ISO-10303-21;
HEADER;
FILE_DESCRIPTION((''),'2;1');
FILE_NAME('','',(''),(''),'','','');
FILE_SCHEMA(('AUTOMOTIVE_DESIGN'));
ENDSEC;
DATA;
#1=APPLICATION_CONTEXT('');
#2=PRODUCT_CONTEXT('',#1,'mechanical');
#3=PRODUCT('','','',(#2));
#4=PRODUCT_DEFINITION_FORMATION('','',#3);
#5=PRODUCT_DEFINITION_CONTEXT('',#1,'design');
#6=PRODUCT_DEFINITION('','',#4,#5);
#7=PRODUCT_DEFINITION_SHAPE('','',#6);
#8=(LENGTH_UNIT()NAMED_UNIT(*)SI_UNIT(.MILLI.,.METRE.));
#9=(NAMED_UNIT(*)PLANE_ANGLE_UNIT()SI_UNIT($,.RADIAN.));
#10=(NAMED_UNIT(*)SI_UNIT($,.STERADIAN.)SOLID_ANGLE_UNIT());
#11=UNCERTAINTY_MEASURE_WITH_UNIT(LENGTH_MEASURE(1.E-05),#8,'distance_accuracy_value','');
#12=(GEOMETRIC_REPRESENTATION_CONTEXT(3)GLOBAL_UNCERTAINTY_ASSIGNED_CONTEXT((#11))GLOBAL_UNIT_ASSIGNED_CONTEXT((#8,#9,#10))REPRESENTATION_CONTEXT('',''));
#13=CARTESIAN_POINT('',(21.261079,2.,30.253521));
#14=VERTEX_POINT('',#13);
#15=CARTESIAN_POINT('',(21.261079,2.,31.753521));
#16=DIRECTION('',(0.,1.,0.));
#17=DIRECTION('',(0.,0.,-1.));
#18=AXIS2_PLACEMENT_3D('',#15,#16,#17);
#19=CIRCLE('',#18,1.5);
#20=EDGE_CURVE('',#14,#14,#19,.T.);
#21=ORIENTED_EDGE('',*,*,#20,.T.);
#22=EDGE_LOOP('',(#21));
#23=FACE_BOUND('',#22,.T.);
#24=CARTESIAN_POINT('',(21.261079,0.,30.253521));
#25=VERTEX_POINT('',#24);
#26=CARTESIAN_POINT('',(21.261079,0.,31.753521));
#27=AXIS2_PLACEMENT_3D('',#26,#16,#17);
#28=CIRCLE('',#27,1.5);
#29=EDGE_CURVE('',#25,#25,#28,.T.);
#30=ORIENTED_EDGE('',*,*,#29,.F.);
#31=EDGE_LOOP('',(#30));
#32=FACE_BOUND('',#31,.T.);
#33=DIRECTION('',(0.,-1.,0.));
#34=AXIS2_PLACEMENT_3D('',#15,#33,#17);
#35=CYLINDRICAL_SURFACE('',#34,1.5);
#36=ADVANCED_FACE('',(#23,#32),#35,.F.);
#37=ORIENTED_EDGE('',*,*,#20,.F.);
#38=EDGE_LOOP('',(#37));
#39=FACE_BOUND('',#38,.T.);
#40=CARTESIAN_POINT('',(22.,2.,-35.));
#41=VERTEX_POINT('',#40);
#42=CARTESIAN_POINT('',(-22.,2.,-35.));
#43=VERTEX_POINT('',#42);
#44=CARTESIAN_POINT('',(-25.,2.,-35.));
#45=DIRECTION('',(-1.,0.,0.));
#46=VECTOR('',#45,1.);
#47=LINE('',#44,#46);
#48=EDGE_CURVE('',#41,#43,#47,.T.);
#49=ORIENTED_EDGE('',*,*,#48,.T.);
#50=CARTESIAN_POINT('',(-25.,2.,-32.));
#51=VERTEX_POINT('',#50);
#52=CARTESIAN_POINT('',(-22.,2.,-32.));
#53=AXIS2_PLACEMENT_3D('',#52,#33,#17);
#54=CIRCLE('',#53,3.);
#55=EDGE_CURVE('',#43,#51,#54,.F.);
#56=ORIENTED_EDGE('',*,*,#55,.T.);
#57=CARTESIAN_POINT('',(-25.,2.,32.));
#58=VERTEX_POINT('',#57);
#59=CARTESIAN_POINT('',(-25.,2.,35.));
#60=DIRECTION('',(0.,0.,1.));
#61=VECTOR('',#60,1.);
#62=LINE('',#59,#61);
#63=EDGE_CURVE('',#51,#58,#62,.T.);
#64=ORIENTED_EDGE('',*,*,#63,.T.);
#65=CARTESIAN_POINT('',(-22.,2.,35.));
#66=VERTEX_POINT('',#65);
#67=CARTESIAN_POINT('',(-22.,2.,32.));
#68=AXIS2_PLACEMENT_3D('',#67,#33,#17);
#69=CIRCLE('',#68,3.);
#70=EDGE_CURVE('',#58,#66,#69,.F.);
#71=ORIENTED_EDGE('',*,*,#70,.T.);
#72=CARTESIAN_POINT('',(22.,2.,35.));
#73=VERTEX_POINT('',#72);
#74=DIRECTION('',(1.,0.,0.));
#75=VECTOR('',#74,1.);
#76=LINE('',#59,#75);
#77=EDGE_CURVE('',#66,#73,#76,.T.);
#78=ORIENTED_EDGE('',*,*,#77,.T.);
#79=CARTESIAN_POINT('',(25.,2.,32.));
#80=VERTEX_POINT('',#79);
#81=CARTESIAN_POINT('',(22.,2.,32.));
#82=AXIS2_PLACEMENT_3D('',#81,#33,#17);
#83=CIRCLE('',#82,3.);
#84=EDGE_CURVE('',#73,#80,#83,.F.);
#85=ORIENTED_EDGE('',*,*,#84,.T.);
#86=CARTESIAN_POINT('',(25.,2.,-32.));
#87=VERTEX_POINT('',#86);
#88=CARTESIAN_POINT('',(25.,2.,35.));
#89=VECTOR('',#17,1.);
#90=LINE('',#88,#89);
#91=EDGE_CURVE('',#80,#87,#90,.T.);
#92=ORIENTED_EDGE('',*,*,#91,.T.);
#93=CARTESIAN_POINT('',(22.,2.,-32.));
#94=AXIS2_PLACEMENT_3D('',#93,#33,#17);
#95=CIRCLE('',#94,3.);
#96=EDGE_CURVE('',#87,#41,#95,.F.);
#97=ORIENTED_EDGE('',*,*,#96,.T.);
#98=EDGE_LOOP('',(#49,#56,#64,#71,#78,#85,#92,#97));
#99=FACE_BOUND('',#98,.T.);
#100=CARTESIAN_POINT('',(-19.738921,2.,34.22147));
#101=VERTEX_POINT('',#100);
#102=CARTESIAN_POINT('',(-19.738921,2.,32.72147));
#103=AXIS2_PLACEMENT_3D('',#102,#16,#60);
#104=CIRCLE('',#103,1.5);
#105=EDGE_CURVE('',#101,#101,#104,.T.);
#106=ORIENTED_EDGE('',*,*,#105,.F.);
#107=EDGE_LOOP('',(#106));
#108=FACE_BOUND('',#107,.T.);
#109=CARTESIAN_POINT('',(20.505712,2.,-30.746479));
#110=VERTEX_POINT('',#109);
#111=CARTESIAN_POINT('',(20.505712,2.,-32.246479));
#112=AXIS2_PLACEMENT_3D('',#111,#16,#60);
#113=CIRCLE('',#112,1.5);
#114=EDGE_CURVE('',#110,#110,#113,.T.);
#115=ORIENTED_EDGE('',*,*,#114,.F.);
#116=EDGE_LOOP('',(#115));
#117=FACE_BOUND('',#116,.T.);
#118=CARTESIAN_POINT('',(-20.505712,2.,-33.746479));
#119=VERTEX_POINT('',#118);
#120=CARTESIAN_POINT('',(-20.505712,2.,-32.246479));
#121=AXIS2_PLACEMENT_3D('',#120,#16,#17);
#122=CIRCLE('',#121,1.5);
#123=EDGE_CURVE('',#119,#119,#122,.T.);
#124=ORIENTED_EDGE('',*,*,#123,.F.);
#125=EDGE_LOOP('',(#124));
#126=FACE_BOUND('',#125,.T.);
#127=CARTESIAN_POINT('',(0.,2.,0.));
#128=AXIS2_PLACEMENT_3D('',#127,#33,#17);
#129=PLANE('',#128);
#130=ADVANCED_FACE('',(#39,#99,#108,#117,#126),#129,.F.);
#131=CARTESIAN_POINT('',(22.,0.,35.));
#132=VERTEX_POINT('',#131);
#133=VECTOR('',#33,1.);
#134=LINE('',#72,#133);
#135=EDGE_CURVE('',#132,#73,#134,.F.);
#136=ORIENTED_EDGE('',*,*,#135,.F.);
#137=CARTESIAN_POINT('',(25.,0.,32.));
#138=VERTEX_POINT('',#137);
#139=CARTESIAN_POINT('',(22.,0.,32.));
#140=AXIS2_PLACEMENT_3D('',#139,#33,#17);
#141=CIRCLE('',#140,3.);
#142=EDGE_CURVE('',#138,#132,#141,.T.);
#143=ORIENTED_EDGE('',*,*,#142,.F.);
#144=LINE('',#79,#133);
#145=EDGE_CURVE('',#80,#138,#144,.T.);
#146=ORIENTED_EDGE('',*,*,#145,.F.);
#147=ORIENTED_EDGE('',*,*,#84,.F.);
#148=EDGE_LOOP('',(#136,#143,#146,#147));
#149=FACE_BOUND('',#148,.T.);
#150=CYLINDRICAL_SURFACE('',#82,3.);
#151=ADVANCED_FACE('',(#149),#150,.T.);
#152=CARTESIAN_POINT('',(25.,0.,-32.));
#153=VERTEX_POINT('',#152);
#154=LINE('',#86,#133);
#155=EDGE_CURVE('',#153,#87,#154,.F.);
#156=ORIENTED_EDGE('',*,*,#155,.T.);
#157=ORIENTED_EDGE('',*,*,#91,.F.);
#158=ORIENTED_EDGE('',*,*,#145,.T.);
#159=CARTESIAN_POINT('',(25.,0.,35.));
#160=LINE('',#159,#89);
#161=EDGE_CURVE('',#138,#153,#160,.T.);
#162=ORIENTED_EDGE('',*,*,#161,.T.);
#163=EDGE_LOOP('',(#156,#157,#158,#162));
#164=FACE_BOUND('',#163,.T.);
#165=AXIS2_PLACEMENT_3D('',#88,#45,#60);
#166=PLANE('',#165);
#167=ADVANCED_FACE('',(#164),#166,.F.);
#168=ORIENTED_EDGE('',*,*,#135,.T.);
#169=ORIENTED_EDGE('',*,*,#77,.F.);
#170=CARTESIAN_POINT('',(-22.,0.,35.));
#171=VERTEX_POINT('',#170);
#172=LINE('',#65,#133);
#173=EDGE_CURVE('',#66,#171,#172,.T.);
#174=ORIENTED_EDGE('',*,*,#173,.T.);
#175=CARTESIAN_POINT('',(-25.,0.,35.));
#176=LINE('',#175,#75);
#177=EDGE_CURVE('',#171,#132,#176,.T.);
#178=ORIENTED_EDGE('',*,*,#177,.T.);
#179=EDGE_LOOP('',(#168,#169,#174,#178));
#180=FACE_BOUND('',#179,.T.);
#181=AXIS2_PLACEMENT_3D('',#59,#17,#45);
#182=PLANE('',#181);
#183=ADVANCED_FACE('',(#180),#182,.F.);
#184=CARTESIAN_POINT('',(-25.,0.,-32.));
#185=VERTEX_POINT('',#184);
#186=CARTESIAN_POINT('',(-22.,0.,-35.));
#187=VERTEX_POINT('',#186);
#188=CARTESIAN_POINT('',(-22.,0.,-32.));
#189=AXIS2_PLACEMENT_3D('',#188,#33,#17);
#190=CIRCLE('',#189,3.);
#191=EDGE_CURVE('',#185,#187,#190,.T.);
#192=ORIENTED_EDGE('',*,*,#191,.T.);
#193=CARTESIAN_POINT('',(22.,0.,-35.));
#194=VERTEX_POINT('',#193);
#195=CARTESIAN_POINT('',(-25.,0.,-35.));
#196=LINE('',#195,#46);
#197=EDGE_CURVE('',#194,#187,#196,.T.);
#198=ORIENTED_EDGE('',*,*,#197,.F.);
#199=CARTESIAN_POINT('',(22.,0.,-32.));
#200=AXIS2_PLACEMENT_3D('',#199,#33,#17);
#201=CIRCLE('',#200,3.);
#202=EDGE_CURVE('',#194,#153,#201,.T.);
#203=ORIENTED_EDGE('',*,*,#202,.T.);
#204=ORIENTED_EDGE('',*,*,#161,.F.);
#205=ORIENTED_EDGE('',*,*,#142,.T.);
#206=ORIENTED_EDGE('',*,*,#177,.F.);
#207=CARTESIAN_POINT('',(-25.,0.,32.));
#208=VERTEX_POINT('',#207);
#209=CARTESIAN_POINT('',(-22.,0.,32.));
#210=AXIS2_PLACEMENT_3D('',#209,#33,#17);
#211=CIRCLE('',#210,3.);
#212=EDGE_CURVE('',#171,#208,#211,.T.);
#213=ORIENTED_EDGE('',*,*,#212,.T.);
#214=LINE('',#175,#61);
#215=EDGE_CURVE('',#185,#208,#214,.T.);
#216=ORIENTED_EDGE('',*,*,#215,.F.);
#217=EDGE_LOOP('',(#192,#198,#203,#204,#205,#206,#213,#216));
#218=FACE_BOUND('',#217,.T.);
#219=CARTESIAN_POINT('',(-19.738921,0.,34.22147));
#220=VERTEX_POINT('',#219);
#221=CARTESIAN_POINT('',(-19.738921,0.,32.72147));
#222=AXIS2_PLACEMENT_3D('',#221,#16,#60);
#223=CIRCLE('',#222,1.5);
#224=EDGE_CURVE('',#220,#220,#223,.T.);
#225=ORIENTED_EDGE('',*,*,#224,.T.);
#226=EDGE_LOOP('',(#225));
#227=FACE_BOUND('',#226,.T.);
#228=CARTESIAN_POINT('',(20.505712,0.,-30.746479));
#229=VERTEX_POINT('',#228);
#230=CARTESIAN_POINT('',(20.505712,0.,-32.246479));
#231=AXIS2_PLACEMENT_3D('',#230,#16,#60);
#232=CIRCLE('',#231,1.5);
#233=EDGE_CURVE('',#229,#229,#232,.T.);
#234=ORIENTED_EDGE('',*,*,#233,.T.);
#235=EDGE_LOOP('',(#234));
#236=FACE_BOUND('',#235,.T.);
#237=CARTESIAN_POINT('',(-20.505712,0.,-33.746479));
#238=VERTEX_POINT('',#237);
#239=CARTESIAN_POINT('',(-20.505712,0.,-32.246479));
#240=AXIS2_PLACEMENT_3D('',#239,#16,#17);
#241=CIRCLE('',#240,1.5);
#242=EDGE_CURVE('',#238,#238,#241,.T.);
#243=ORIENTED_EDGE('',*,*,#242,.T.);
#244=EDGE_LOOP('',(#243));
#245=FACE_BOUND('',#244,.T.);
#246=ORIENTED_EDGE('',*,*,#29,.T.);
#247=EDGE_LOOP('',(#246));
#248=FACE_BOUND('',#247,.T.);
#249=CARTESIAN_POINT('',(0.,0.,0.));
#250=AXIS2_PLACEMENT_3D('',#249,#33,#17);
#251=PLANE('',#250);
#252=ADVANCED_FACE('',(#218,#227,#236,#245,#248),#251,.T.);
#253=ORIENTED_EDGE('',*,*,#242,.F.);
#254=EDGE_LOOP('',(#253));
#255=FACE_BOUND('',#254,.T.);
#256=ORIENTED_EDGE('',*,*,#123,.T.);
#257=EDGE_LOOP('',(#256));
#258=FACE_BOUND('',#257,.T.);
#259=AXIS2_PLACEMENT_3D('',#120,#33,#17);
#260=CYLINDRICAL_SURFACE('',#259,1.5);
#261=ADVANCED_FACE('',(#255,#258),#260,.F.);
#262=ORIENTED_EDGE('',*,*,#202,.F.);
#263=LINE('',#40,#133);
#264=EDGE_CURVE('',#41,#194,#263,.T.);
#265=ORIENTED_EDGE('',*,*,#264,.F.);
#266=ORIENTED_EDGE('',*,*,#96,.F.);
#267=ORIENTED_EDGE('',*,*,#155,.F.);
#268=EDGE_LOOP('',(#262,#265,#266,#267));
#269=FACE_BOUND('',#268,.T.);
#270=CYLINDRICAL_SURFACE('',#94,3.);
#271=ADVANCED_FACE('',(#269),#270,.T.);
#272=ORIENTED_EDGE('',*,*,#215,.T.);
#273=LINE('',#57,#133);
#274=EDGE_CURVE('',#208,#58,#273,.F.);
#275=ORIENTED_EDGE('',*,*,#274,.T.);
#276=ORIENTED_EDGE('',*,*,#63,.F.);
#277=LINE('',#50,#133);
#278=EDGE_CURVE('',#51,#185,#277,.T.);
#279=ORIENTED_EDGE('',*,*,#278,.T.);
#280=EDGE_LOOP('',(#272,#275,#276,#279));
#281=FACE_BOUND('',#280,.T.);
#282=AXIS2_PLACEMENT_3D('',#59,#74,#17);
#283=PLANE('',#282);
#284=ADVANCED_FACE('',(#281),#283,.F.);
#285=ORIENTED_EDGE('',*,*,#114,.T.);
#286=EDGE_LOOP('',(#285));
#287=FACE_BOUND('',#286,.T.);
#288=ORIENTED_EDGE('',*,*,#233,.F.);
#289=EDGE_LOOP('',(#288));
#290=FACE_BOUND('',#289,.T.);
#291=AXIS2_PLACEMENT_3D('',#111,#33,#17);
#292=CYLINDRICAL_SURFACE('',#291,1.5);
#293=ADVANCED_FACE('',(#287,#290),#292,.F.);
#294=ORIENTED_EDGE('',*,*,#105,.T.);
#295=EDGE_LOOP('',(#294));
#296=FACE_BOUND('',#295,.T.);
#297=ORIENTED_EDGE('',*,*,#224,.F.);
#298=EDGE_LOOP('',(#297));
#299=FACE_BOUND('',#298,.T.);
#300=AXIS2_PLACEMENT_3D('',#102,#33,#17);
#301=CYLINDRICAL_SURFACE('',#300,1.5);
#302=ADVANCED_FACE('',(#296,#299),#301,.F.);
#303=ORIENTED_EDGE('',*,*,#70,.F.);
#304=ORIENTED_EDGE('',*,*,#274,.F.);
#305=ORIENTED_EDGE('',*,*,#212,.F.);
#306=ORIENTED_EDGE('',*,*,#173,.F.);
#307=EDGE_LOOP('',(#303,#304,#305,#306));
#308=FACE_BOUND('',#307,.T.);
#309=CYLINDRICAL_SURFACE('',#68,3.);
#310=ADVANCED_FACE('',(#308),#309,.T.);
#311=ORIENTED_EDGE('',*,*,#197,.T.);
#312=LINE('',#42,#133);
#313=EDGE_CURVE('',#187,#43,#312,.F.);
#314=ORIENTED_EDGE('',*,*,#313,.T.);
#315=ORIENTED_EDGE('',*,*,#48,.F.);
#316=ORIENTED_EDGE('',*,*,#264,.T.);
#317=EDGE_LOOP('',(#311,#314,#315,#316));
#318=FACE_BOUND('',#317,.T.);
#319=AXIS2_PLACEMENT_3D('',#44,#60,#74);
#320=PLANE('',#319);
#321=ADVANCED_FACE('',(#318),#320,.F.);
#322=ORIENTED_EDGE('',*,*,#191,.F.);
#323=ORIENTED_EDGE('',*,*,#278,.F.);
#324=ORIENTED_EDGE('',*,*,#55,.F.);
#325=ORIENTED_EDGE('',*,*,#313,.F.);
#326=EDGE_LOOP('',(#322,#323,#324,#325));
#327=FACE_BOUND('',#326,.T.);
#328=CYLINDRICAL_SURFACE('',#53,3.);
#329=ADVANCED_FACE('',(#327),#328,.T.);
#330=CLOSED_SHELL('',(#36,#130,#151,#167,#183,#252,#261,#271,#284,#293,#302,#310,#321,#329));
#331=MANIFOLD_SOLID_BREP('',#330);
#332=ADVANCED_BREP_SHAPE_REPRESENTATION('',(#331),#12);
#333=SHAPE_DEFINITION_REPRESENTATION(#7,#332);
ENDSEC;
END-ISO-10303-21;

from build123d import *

# Parameters (mm, degrees)
SKETCH_1_W      = 50
SKETCH_1_H      = 70
SKETCH_1_R      = 1.5
EXTRUDE_1_DEPTH = 2
FILLET_1_R      = 3


with BuildPart() as part:
    # 草图1 → 凸台-拉伸1 (new body)
    with BuildSketch(Plane(origin=(0, 0, 0), x_dir=(1, 0, 0), z_dir=(0, 1, 0))):
        Rectangle(SKETCH_1_W, SKETCH_1_H)
        with Locations(Location((20.505712162, 32.246478585, 0), (0, 0, 270))):
            Circle(SKETCH_1_R, mode=Mode.SUBTRACT)
        with Locations(Location((-20.505712162, 32.246478585, 0), (0, 0, 90))):
            Circle(SKETCH_1_R, mode=Mode.SUBTRACT)
        with Locations(Location((21.261079234, -31.753521415, 0), (0, 0, 90))):
            Circle(SKETCH_1_R, mode=Mode.SUBTRACT)
        with Locations(Location((-19.738920766, -32.721470313, 0), (0, 0, 270))):
            Circle(SKETCH_1_R, mode=Mode.SUBTRACT)
    extrude(amount=EXTRUDE_1_DEPTH)

    # 圆角1
    fillet_1_edges = [part.edges().sort_by_distance(p)[0] for p in [
        (25, 1, 35),
        (-25, 1, 35),
        (-25, 1, -35),
        (25, 1, -35),
    ]]
    fillet(fillet_1_edges, radius=FILLET_1_R)


solid = part.part
